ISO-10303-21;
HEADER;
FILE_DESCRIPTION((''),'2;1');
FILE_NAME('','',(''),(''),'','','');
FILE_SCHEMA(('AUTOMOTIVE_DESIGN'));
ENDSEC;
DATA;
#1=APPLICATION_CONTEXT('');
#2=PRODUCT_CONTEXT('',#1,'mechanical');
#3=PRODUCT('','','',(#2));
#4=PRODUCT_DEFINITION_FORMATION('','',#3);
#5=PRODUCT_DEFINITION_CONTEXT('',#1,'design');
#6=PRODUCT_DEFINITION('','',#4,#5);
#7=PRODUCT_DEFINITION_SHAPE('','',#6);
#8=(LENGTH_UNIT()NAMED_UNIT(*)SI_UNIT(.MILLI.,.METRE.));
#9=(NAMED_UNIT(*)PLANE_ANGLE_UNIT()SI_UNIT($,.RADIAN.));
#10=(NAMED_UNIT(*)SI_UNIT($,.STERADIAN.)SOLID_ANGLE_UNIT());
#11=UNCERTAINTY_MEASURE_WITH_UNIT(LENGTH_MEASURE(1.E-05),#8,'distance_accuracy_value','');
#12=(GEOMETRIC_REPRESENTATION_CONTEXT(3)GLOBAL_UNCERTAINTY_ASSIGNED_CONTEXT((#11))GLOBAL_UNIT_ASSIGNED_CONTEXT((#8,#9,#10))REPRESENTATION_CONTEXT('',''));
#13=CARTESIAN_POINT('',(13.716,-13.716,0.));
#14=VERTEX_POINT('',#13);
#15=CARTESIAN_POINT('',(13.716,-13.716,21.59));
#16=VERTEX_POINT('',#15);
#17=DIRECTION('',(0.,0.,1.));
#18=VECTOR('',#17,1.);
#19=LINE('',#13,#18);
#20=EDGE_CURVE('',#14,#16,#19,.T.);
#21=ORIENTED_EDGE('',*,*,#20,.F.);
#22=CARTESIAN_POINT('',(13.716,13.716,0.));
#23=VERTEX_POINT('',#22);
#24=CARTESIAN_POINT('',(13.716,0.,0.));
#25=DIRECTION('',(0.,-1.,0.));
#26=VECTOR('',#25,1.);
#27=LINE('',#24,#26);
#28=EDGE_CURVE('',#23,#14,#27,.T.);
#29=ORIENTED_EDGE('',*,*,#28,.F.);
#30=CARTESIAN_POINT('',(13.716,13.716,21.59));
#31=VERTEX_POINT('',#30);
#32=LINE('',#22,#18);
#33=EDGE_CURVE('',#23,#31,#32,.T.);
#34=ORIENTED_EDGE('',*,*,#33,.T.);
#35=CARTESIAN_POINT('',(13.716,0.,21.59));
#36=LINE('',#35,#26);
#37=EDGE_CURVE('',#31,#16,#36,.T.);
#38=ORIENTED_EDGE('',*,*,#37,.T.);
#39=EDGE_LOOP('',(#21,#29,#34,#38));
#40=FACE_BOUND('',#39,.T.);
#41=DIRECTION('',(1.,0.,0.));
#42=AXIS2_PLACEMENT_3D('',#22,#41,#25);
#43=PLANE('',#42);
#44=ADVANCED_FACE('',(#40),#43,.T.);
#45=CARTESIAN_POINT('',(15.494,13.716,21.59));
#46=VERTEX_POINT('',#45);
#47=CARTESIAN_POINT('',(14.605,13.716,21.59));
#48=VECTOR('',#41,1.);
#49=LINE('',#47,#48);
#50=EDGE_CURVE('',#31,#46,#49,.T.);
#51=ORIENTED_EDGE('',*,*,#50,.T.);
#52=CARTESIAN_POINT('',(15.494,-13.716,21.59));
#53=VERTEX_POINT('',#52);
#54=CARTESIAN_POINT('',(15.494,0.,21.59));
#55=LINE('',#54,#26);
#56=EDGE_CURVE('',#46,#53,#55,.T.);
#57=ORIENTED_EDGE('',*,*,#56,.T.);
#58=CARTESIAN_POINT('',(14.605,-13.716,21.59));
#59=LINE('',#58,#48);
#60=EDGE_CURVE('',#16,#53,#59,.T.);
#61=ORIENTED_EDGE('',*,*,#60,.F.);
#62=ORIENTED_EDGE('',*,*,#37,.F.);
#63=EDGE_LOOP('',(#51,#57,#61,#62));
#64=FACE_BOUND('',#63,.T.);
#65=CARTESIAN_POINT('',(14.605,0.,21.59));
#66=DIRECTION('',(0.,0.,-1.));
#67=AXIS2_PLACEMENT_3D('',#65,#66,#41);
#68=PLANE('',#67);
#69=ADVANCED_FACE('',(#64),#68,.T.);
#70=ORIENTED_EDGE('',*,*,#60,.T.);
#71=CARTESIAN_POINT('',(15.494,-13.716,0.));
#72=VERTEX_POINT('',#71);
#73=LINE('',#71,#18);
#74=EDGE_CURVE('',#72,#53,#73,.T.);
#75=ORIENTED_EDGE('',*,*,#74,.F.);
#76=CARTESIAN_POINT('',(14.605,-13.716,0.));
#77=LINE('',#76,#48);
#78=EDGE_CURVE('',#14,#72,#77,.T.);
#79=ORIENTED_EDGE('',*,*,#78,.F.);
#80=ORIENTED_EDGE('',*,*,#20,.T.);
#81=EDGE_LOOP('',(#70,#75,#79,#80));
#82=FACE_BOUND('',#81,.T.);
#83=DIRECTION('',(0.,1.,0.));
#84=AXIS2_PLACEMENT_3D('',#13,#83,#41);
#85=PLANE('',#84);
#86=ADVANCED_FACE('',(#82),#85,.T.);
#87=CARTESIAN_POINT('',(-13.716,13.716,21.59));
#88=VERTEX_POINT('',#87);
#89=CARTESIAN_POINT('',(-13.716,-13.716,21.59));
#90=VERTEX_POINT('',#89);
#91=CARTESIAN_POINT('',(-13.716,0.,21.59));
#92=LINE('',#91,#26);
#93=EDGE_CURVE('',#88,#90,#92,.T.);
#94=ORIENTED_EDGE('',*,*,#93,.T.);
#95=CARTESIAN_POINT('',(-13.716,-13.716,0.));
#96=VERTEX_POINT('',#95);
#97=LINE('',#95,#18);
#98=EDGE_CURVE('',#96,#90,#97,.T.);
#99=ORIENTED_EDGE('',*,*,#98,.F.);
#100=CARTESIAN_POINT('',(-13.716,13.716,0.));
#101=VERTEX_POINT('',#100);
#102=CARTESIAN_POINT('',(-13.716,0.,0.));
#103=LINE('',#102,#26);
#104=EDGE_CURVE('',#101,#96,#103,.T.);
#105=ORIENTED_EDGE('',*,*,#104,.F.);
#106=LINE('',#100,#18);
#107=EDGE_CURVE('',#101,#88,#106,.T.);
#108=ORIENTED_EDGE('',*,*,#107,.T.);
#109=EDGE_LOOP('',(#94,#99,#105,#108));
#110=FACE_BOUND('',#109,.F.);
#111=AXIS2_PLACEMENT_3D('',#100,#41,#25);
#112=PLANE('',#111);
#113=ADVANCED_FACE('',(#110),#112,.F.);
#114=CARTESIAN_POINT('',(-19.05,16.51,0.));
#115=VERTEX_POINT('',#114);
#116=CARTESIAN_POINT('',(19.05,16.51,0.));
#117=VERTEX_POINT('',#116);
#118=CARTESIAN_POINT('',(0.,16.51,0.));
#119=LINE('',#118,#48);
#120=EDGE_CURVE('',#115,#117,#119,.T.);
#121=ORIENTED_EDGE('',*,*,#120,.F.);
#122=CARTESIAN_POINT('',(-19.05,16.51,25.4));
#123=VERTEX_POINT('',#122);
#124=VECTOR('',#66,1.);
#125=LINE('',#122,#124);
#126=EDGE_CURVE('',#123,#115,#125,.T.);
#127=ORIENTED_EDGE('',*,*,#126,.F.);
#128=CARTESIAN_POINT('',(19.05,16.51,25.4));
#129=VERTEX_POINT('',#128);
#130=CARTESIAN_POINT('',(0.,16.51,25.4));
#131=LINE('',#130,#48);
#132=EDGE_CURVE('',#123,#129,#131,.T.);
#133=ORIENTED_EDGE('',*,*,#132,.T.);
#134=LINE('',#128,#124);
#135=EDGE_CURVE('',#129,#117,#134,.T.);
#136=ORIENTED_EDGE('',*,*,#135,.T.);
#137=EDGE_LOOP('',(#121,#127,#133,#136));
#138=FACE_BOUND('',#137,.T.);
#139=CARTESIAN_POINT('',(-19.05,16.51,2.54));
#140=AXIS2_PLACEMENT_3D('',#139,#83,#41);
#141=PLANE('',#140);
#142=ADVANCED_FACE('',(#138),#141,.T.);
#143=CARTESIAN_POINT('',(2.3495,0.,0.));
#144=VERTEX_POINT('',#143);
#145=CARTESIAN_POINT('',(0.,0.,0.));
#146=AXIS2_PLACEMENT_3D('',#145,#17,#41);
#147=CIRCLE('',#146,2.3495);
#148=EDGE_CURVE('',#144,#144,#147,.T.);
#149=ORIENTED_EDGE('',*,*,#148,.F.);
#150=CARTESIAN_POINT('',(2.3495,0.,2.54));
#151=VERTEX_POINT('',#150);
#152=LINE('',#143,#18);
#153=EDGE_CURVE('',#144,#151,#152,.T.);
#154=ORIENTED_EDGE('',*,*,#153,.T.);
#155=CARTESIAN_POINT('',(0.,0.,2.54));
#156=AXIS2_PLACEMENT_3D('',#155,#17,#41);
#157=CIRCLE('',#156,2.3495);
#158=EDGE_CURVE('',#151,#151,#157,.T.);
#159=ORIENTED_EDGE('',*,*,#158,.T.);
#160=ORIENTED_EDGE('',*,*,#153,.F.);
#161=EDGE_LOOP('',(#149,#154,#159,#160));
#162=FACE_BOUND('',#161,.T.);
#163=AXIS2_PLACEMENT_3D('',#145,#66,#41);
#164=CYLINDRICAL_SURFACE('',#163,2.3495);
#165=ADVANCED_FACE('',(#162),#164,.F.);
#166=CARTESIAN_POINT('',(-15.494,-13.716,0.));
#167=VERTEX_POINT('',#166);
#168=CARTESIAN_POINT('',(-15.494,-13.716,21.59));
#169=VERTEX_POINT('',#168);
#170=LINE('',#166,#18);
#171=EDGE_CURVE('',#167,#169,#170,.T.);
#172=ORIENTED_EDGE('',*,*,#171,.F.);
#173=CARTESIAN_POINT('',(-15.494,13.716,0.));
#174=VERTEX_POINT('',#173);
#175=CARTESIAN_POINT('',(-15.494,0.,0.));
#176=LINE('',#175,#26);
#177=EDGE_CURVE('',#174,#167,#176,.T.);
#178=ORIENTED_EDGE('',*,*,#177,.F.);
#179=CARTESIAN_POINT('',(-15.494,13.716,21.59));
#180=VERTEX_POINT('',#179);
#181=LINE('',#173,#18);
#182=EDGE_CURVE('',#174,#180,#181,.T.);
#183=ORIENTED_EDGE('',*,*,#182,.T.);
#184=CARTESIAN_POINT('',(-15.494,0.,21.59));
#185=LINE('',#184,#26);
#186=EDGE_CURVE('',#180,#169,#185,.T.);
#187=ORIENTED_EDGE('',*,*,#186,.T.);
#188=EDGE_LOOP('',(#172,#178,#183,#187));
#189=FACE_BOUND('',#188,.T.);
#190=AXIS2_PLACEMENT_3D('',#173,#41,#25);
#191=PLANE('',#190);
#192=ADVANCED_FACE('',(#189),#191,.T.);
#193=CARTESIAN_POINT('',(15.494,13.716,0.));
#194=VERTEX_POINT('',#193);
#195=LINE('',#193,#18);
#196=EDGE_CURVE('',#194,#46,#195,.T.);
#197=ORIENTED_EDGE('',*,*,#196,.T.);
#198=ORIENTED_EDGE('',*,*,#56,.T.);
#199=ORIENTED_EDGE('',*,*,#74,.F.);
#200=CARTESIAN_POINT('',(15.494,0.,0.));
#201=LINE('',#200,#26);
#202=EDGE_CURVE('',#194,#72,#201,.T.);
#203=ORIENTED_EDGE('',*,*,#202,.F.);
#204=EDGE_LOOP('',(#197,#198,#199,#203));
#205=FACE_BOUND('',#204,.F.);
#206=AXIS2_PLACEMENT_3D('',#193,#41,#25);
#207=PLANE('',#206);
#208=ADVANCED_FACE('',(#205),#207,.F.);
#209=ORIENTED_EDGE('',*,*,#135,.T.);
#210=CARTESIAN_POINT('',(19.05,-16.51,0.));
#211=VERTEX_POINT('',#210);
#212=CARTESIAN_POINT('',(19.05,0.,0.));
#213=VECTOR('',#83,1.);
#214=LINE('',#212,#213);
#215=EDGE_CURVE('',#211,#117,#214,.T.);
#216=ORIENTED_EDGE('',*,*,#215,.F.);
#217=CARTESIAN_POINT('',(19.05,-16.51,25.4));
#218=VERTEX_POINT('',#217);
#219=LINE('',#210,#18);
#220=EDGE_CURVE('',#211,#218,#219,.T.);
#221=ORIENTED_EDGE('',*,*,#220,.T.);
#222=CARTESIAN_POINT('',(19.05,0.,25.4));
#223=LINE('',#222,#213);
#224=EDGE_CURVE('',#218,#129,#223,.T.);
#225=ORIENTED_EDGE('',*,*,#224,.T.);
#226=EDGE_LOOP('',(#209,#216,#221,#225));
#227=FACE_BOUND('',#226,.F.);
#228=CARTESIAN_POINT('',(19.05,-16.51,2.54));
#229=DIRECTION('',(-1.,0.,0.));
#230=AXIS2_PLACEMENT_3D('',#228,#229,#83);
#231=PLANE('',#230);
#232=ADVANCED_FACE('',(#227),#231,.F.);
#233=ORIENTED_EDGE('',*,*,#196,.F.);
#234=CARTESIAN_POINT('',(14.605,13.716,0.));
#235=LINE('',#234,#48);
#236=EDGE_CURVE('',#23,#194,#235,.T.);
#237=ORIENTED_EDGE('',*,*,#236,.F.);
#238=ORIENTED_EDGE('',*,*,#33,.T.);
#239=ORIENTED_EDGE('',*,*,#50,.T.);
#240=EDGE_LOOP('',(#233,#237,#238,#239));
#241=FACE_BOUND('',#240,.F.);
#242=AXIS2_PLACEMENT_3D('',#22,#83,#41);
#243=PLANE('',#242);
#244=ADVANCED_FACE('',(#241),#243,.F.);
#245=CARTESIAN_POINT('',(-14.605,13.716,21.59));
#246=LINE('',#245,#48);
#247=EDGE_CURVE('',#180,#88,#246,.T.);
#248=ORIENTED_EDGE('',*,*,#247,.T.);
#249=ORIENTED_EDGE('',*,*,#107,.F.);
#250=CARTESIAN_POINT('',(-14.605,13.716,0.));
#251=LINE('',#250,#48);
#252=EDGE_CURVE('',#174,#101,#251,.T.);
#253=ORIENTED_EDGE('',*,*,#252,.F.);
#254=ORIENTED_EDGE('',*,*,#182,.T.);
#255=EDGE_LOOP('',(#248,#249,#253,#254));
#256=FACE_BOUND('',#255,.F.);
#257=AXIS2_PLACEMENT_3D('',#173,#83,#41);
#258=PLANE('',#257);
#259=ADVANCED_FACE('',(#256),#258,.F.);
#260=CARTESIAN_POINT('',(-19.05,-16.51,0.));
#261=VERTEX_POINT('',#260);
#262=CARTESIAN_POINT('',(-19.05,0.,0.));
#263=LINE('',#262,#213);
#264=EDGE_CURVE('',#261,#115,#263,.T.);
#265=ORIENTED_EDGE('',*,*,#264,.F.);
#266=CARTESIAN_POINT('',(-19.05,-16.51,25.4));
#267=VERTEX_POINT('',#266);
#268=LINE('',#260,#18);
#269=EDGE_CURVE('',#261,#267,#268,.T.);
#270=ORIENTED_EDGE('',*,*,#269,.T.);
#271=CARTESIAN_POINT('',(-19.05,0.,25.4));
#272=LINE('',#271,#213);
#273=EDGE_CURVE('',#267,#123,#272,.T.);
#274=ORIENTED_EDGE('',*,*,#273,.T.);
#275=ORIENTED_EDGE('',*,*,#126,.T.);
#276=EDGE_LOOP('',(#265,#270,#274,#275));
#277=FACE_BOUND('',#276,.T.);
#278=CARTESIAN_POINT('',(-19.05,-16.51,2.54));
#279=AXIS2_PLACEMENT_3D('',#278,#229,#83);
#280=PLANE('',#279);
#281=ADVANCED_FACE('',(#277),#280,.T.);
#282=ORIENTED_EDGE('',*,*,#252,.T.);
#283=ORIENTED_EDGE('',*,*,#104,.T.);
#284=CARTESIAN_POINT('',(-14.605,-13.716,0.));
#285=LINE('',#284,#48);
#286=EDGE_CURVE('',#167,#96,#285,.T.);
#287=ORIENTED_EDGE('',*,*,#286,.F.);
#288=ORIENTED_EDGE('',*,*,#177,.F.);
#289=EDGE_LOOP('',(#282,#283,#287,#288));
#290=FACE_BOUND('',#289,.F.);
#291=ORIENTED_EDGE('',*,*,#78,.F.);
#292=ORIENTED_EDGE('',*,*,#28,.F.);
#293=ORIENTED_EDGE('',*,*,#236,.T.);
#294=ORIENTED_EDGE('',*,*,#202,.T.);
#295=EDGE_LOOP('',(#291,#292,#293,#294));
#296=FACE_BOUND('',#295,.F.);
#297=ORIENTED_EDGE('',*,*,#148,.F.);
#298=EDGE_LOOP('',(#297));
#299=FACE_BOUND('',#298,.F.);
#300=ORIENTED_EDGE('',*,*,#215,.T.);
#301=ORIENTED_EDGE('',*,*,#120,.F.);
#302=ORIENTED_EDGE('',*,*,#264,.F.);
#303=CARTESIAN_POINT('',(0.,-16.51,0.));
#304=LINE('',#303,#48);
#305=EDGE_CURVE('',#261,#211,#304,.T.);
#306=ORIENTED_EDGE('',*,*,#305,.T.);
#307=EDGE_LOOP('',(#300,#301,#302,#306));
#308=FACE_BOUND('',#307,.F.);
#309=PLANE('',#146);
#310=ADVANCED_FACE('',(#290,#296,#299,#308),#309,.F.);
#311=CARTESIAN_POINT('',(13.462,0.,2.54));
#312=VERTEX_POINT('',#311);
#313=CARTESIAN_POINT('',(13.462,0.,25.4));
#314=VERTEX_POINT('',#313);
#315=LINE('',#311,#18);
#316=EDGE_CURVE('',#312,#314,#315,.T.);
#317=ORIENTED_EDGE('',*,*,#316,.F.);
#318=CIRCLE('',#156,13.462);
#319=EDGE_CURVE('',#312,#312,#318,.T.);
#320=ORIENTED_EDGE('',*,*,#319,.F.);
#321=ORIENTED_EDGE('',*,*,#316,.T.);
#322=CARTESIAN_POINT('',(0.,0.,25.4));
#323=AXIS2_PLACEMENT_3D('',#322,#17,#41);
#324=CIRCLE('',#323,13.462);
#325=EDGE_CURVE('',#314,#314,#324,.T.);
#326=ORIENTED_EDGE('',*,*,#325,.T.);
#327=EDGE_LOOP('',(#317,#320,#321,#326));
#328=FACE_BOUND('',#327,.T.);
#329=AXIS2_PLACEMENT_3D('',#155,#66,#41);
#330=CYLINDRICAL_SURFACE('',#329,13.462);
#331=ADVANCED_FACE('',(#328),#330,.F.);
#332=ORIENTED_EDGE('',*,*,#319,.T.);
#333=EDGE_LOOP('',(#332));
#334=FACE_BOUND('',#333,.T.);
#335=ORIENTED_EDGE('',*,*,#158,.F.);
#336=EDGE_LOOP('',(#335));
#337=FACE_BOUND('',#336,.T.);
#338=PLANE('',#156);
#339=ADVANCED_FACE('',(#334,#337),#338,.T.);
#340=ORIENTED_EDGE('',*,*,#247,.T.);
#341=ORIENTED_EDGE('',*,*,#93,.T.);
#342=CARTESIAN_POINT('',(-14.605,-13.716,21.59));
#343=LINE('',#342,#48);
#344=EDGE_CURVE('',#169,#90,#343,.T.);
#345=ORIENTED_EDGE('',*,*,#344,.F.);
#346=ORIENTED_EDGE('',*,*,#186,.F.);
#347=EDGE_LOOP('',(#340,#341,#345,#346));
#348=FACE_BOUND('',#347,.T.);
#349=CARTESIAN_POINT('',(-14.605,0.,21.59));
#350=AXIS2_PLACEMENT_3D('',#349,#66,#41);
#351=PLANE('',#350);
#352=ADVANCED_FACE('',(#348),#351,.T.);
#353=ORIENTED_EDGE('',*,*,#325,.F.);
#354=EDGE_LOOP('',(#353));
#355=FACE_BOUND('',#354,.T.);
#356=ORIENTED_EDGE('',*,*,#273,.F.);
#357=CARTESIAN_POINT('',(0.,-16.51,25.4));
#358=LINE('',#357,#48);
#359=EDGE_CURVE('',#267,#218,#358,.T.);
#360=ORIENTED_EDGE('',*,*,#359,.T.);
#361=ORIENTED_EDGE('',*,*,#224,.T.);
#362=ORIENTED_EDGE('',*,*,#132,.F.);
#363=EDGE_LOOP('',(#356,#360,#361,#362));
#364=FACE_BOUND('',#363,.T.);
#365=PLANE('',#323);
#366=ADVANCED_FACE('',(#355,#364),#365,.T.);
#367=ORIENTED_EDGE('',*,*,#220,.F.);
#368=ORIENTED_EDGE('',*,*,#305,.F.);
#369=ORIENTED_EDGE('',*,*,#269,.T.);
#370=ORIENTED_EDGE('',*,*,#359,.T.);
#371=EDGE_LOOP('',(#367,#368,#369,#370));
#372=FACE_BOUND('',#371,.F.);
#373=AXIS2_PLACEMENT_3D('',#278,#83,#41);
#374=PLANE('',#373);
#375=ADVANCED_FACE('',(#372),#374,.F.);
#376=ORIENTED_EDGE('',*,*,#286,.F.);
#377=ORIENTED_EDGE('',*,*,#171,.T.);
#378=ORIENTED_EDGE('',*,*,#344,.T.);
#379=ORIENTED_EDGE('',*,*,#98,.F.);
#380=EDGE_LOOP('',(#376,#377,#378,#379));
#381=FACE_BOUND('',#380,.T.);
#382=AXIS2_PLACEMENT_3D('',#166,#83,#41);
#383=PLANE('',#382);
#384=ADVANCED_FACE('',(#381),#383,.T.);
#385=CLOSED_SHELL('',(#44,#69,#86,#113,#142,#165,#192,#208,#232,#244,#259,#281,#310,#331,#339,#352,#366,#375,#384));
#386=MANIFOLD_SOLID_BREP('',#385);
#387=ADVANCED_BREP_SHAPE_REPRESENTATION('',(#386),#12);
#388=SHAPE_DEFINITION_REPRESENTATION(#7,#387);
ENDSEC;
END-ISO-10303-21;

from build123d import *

# Parameters (mm, degrees)
F0_W     = 38.1
F0_H     = 33.02
F0_R     = 2.3495
F1_DEPTH = 2.54
F2_W     = 38.1
F2_H     = 33.02
F2_R     = 13.462
F3_DEPTH = 22.86
F4_W     = 1.778
F4_H     = 27.432
F5_DEPTH = 21.59


with BuildPart() as f1:
    # F0 (on Top) → F1 (new body)
    with BuildSketch(Plane.XY):
        Rectangle(F0_W, F0_H)
        Circle(F0_R, mode=Mode.SUBTRACT)
    extrude(amount=F1_DEPTH)

    # F2 (on face) → F3 (join)
    with BuildSketch(Plane.XY.offset(2.54)):
        Rectangle(F2_W, F2_H)
        Circle(F2_R, mode=Mode.SUBTRACT)
    extrude(amount=F3_DEPTH)

    # F4 (on face) → F5 (cut)
    with BuildSketch(Plane(origin=(0, 0, 0), x_dir=(1, 0, 0), z_dir=(0, 0, -1))):
        with Locations((14.605, 0)):
            Rectangle(F4_W, F4_H)
        with Locations((-14.605, 0)):
            Rectangle(F4_W, F4_H)
    extrude(amount=-F5_DEPTH, mode=Mode.SUBTRACT)


solid = f1.part
